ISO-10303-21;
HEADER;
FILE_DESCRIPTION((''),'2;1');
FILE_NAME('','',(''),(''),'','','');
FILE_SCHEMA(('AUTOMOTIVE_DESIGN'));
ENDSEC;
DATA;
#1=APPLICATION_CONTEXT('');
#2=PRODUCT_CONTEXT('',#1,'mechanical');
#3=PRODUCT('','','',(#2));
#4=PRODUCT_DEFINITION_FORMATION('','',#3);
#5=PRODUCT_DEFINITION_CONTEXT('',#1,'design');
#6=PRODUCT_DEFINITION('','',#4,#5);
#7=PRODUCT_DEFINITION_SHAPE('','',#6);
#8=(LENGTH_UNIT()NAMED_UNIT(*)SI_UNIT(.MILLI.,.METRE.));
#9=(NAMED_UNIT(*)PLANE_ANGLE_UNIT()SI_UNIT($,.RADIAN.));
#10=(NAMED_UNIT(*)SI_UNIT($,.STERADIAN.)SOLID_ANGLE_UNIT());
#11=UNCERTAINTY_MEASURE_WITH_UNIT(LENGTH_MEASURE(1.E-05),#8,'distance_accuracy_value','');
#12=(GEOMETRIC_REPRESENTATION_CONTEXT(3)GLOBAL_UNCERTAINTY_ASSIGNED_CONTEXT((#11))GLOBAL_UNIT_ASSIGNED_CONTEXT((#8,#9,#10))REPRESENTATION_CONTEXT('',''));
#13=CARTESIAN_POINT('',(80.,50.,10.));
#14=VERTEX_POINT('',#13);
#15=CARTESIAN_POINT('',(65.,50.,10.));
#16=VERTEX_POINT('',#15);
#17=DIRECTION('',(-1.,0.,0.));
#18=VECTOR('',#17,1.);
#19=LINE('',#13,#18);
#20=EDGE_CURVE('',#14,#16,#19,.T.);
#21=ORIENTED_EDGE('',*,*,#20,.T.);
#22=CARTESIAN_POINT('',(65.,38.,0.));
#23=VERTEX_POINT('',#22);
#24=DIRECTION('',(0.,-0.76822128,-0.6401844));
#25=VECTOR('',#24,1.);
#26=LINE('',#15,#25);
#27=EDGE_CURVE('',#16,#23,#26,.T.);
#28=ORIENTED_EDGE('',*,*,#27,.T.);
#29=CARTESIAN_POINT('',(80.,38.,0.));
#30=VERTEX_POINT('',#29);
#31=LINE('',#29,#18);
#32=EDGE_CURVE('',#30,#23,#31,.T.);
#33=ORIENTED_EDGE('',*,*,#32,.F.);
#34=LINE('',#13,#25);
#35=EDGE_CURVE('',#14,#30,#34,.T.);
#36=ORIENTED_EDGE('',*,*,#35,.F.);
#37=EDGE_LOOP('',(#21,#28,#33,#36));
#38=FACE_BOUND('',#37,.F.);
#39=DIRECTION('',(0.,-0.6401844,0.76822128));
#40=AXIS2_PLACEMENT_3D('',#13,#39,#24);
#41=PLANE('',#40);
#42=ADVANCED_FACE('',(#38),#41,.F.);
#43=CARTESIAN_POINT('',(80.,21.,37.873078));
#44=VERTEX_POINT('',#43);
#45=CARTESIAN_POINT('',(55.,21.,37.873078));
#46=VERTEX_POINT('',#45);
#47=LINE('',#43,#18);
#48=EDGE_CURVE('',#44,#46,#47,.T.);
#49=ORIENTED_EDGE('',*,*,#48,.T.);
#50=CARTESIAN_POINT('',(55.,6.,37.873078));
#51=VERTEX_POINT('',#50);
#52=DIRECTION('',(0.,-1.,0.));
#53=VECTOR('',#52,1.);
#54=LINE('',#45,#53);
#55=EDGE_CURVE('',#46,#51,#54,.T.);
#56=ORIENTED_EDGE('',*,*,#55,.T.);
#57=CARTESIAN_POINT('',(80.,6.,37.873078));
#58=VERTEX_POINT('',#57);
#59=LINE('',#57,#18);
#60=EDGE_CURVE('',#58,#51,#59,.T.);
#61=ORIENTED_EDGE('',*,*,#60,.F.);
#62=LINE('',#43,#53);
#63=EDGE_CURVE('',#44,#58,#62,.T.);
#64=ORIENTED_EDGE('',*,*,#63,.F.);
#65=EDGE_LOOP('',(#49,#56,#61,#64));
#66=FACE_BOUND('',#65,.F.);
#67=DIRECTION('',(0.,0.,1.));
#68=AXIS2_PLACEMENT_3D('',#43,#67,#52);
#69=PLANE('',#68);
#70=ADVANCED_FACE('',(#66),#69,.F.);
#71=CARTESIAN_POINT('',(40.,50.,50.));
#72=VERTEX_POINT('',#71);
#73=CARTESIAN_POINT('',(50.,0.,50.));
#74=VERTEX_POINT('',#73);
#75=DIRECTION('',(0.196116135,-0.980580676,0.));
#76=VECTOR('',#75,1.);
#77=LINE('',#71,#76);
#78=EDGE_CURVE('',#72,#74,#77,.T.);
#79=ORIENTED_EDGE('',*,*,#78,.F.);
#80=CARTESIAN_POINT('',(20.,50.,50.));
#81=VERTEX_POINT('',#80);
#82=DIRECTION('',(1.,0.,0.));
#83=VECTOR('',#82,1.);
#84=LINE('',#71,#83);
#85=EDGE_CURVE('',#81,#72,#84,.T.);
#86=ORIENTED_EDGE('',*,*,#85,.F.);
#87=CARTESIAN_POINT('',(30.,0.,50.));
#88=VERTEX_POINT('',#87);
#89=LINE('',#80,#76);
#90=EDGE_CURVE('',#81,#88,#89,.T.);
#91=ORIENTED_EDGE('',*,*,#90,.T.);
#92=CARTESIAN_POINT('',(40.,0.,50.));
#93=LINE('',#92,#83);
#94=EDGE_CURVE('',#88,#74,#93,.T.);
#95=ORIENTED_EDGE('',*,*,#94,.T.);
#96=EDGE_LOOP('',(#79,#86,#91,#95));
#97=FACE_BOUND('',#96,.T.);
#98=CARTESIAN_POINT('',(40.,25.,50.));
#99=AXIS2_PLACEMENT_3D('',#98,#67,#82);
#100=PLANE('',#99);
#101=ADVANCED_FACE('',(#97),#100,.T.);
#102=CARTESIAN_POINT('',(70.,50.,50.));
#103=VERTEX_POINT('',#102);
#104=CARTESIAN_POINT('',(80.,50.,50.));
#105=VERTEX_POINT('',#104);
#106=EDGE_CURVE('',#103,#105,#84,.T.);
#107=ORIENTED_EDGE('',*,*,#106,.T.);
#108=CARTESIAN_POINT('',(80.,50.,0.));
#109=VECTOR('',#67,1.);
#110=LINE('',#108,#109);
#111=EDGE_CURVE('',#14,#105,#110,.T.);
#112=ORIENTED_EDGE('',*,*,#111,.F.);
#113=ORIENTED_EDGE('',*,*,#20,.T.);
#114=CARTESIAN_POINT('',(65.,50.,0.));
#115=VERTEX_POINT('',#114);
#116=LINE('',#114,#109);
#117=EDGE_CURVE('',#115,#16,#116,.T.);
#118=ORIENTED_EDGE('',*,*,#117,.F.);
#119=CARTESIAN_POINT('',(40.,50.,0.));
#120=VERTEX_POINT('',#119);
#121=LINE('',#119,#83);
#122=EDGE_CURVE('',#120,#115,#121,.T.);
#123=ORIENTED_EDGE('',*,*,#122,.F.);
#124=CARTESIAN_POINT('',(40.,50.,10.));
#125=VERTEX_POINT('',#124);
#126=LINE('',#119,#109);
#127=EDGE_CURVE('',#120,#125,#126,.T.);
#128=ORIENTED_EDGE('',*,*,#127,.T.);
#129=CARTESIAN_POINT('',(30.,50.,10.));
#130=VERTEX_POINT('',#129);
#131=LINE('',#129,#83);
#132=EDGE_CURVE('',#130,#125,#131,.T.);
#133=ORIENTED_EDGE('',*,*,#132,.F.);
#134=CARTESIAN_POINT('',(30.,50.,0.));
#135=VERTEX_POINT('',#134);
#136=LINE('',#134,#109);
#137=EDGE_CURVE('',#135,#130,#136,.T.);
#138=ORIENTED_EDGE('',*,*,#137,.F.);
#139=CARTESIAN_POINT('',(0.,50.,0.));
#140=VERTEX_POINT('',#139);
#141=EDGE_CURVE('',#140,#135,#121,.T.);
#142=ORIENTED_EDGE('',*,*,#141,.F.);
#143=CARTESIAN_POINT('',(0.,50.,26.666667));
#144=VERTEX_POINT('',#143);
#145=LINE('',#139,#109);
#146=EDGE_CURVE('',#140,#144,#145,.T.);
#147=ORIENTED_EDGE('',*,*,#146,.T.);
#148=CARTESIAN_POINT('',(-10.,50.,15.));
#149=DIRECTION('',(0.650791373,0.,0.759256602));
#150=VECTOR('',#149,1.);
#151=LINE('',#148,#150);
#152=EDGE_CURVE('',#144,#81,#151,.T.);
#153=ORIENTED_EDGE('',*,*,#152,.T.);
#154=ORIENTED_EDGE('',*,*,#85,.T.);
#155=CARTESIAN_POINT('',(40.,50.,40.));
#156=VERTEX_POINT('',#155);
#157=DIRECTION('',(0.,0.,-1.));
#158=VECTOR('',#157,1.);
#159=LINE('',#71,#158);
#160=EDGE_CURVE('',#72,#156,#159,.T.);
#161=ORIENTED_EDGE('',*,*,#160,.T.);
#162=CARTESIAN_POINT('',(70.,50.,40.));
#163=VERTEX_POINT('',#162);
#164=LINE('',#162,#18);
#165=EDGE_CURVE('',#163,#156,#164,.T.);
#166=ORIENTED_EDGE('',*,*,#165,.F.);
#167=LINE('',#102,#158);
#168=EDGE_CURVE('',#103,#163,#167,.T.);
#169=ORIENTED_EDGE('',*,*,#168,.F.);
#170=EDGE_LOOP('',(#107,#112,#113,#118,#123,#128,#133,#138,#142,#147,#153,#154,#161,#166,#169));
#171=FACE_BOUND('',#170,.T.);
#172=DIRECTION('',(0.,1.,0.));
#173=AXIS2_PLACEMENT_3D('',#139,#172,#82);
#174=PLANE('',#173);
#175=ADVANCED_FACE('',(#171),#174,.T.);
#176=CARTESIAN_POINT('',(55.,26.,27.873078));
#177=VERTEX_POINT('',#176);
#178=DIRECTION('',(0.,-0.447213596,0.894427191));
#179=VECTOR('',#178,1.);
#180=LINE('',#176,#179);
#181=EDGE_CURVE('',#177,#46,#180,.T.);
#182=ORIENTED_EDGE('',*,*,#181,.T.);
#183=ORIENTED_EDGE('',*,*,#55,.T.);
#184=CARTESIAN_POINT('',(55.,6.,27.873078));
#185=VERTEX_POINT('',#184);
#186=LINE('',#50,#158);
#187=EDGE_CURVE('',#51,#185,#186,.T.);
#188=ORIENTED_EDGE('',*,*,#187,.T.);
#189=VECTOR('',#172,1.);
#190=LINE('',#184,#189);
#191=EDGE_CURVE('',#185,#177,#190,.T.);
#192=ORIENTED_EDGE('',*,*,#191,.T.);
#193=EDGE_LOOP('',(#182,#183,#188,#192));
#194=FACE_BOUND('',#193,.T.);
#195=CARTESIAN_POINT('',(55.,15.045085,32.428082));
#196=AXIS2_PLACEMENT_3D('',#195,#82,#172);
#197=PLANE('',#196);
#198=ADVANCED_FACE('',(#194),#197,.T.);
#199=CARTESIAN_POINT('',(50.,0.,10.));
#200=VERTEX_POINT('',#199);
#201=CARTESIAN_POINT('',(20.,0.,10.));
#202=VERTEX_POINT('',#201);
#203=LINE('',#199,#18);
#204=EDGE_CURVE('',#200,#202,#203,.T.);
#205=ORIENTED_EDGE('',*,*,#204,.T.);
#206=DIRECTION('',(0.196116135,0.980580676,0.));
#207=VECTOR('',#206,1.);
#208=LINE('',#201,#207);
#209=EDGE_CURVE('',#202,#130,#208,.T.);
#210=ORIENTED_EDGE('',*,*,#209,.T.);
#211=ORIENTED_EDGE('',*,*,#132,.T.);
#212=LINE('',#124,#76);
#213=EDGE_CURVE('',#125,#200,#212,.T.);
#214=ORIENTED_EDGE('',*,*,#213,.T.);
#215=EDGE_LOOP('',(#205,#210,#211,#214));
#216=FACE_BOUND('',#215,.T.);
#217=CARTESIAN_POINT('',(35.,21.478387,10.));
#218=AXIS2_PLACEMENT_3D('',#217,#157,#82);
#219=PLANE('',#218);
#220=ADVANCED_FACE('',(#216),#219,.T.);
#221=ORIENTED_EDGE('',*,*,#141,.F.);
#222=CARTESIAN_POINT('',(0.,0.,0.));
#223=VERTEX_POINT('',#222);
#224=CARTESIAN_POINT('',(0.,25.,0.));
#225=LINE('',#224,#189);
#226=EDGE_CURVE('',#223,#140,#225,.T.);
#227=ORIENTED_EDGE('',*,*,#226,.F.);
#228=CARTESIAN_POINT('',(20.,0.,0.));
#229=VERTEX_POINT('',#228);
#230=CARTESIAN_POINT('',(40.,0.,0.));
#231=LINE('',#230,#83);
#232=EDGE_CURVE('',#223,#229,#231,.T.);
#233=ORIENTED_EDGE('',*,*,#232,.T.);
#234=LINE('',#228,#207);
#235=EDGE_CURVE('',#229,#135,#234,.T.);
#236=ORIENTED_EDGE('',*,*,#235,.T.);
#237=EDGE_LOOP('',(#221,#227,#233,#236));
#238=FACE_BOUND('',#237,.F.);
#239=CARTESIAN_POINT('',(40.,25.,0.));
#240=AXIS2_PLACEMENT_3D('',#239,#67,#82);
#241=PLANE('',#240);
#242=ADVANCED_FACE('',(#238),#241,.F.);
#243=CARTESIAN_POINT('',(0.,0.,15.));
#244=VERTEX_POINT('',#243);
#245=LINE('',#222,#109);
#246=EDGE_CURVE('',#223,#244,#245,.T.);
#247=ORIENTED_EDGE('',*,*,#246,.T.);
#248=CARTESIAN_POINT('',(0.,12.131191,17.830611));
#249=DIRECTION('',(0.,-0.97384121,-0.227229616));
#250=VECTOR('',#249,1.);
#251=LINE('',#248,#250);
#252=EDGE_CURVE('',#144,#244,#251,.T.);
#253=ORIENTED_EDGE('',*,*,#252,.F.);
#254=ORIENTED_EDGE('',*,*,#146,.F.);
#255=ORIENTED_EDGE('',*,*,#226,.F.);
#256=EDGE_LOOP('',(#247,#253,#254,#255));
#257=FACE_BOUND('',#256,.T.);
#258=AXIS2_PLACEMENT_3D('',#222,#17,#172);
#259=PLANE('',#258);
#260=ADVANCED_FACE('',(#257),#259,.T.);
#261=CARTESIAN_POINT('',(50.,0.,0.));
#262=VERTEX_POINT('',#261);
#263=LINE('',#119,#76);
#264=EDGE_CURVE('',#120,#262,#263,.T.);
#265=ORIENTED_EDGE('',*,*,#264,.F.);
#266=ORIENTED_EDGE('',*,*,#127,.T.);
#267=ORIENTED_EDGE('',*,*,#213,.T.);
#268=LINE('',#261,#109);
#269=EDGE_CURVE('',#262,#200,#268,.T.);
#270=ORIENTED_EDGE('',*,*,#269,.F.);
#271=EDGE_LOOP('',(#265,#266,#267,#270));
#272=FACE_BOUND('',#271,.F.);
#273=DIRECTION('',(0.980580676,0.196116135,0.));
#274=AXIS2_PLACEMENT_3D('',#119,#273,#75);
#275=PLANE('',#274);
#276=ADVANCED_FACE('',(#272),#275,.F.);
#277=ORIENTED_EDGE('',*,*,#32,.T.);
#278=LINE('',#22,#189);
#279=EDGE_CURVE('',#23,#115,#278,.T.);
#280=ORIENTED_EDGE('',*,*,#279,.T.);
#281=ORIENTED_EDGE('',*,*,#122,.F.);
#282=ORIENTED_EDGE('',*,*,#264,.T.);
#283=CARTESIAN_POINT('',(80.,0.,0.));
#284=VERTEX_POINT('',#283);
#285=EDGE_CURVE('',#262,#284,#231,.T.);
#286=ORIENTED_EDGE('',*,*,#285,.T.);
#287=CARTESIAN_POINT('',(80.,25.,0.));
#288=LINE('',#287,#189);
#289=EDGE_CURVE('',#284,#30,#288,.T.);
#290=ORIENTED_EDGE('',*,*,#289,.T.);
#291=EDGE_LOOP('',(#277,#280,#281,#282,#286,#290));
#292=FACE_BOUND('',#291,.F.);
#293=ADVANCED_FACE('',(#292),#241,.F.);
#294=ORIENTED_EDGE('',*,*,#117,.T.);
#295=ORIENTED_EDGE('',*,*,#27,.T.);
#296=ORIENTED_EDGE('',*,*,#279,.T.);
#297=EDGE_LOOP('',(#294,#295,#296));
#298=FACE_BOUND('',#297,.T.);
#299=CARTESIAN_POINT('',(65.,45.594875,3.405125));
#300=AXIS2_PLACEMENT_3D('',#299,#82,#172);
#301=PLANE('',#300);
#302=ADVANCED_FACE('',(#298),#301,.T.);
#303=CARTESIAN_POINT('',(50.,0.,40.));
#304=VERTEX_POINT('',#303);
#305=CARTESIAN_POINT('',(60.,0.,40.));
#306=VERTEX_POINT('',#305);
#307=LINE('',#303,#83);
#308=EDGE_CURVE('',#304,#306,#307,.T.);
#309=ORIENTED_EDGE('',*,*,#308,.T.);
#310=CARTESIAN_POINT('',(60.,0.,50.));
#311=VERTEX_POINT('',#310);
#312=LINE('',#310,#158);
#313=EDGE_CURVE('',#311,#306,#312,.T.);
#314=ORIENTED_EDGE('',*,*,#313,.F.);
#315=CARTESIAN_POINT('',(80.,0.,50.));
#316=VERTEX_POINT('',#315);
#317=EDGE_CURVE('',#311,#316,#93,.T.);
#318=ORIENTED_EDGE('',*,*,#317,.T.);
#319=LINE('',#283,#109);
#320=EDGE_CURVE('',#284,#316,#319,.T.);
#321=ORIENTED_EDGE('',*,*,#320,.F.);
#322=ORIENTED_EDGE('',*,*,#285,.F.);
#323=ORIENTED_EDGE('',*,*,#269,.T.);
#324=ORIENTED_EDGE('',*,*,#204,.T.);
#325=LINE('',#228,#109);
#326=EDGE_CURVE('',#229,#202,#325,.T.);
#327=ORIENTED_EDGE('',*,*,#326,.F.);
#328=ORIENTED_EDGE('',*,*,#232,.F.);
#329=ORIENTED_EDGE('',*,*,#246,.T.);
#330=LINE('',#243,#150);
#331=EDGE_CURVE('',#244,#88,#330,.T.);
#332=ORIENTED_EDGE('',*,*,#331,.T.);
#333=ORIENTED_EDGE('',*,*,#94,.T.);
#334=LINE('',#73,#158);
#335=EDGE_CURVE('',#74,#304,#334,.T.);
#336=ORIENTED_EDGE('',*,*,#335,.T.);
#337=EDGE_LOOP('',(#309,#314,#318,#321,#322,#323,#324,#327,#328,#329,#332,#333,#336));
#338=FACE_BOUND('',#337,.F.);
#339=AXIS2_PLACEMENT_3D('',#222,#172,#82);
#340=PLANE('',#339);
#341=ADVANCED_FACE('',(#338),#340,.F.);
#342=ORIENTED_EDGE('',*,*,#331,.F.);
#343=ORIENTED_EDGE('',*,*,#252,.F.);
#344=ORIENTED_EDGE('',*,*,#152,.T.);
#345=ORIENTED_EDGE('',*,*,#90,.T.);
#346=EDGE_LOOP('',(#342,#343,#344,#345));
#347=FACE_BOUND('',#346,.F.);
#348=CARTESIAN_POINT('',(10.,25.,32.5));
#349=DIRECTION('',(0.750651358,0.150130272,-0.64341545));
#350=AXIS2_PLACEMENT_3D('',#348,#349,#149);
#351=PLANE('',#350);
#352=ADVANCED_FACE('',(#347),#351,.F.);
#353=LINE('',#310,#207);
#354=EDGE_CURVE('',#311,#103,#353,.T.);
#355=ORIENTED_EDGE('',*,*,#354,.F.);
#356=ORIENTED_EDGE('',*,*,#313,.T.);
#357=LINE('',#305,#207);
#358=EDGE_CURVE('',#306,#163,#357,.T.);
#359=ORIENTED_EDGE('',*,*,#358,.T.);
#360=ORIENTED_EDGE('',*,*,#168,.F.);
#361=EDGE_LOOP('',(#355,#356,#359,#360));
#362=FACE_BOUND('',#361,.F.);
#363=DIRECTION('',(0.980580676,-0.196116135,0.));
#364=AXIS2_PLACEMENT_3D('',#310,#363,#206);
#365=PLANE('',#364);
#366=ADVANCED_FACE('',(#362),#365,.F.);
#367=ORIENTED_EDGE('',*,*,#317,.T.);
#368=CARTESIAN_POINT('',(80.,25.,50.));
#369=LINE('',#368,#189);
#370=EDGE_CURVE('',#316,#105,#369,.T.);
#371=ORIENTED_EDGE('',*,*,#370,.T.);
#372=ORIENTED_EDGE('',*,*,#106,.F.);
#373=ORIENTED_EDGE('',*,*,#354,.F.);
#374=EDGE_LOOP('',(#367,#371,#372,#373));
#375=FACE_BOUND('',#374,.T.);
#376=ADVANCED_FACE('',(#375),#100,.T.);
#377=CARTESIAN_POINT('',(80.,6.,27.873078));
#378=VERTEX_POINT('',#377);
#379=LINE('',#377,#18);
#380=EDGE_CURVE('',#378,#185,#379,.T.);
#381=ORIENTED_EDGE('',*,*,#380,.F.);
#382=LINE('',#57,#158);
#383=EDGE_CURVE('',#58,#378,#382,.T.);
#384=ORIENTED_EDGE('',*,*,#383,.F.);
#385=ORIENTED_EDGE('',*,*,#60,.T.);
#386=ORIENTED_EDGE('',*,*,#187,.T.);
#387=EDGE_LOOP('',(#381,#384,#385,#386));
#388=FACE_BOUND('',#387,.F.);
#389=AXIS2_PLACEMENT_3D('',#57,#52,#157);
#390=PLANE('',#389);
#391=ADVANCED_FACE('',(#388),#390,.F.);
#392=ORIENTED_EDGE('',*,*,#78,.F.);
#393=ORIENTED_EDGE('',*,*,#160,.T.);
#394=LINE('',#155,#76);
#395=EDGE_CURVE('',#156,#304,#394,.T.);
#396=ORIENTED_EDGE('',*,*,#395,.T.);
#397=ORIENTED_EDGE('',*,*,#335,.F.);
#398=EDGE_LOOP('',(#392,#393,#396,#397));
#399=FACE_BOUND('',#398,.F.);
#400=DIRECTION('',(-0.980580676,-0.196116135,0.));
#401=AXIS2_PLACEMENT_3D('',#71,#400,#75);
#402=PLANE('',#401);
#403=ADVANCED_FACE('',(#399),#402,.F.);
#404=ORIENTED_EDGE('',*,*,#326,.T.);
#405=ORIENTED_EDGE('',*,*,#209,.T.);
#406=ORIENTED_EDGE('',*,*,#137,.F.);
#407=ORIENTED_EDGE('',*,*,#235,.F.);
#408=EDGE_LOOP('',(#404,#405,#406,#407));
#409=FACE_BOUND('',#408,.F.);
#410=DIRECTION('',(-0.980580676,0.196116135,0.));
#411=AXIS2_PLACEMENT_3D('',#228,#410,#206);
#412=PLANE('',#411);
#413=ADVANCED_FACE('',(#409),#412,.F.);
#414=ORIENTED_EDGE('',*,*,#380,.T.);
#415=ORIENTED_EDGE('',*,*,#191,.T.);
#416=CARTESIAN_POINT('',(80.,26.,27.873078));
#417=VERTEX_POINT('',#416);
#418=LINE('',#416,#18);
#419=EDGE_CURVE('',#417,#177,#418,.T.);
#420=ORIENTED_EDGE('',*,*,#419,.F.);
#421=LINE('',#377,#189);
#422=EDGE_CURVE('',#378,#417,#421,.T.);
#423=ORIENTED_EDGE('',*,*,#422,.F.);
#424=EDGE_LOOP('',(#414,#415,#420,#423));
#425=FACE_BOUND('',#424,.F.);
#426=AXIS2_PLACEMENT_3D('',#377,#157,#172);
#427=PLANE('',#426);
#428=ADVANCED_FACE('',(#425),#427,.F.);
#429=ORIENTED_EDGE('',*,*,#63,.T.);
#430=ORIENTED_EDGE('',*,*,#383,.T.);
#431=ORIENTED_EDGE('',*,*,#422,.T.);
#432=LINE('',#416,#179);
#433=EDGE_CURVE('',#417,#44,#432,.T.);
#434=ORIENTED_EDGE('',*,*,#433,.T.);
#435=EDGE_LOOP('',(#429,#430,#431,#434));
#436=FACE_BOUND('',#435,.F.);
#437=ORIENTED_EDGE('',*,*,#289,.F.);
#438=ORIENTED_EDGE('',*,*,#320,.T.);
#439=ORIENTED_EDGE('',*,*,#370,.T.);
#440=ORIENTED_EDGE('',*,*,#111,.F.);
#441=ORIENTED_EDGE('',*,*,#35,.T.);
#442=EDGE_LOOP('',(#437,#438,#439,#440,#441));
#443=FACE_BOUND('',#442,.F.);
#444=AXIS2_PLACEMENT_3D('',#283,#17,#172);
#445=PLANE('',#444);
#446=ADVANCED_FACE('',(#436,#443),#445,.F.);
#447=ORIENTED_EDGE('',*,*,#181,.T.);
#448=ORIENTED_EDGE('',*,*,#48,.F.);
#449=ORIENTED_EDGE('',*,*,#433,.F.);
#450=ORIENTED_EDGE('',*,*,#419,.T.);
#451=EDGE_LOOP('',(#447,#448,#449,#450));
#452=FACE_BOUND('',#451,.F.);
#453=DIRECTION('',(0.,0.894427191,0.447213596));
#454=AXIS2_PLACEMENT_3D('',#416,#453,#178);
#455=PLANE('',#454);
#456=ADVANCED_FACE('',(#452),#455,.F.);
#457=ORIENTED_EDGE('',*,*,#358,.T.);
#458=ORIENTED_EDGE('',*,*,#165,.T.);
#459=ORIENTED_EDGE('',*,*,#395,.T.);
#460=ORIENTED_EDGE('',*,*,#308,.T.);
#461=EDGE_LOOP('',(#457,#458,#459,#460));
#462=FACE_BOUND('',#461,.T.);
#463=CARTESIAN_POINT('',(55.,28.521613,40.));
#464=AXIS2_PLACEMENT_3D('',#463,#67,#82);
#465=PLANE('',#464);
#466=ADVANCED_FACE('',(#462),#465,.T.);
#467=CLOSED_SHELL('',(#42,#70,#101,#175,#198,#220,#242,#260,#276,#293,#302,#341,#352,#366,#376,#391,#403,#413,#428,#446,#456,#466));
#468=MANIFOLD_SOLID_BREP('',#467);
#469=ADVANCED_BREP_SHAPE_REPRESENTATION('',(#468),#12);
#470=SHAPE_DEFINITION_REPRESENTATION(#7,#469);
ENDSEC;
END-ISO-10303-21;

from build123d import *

# Parameters (mm, degrees)
F0_W      = 80
F0_H      = 50
F1_DEPTH  = 50
F3_DEPTH  = 10
F8_DEPTH  = 10
F10_DEPTH = 15
F12_DEPTH = 25


with BuildPart() as f1:
    # F0 (on Top) → F1 (new body)
    with BuildSketch(Plane.XY):
        with Locations((40, 25)):
            Rectangle(F0_W, F0_H)
    extrude(amount=F1_DEPTH)

    # F2 (on face) → F3 (cut)
    with BuildSketch(Plane(origin=(0, 0, 0), x_dir=(1, 0, 0), z_dir=(0, 0, -1))):
        Polygon((50, 0), (20, 0), (30, -50), (40, -50), align=None)
    extrude(amount=-F3_DEPTH, mode=Mode.SUBTRACT)

    # F6: sweep along a path in F5
    with BuildLine(Plane.XY.offset(50)) as f6_path:
        Line((20, 50), (30, 0))
    # F4 (on face) → F6 (sweep, cut)
    with BuildSketch(Plane.XZ):
        Polygon((0, 15), (30, 50), (0, 50), align=None)
    sweep(path=f6_path.line, mode=Mode.SUBTRACT)

    # F7 (on face) → F8 (cut)
    with BuildSketch(Plane.XY.offset(50)):
        Polygon((70, 50), (40, 50), (50, 0), (60, 0), align=None)
    extrude(amount=-F8_DEPTH, mode=Mode.SUBTRACT)

    # F9 (on face) → F10 (cut)
    with BuildSketch(Plane.YZ.offset(80)):
        Polygon((50, 0), (50, 10), (38, 0), align=None)
    extrude(amount=-F10_DEPTH, mode=Mode.SUBTRACT)

    # F11 (on face) → F12 (cut)
    with BuildSketch(Plane.YZ.offset(80)):
        Polygon((21, 37.873078), (6, 37.873078), (6, 27.873078), (26, 27.873078), align=None)
    extrude(amount=-F12_DEPTH, mode=Mode.SUBTRACT)


solid = f1.part
